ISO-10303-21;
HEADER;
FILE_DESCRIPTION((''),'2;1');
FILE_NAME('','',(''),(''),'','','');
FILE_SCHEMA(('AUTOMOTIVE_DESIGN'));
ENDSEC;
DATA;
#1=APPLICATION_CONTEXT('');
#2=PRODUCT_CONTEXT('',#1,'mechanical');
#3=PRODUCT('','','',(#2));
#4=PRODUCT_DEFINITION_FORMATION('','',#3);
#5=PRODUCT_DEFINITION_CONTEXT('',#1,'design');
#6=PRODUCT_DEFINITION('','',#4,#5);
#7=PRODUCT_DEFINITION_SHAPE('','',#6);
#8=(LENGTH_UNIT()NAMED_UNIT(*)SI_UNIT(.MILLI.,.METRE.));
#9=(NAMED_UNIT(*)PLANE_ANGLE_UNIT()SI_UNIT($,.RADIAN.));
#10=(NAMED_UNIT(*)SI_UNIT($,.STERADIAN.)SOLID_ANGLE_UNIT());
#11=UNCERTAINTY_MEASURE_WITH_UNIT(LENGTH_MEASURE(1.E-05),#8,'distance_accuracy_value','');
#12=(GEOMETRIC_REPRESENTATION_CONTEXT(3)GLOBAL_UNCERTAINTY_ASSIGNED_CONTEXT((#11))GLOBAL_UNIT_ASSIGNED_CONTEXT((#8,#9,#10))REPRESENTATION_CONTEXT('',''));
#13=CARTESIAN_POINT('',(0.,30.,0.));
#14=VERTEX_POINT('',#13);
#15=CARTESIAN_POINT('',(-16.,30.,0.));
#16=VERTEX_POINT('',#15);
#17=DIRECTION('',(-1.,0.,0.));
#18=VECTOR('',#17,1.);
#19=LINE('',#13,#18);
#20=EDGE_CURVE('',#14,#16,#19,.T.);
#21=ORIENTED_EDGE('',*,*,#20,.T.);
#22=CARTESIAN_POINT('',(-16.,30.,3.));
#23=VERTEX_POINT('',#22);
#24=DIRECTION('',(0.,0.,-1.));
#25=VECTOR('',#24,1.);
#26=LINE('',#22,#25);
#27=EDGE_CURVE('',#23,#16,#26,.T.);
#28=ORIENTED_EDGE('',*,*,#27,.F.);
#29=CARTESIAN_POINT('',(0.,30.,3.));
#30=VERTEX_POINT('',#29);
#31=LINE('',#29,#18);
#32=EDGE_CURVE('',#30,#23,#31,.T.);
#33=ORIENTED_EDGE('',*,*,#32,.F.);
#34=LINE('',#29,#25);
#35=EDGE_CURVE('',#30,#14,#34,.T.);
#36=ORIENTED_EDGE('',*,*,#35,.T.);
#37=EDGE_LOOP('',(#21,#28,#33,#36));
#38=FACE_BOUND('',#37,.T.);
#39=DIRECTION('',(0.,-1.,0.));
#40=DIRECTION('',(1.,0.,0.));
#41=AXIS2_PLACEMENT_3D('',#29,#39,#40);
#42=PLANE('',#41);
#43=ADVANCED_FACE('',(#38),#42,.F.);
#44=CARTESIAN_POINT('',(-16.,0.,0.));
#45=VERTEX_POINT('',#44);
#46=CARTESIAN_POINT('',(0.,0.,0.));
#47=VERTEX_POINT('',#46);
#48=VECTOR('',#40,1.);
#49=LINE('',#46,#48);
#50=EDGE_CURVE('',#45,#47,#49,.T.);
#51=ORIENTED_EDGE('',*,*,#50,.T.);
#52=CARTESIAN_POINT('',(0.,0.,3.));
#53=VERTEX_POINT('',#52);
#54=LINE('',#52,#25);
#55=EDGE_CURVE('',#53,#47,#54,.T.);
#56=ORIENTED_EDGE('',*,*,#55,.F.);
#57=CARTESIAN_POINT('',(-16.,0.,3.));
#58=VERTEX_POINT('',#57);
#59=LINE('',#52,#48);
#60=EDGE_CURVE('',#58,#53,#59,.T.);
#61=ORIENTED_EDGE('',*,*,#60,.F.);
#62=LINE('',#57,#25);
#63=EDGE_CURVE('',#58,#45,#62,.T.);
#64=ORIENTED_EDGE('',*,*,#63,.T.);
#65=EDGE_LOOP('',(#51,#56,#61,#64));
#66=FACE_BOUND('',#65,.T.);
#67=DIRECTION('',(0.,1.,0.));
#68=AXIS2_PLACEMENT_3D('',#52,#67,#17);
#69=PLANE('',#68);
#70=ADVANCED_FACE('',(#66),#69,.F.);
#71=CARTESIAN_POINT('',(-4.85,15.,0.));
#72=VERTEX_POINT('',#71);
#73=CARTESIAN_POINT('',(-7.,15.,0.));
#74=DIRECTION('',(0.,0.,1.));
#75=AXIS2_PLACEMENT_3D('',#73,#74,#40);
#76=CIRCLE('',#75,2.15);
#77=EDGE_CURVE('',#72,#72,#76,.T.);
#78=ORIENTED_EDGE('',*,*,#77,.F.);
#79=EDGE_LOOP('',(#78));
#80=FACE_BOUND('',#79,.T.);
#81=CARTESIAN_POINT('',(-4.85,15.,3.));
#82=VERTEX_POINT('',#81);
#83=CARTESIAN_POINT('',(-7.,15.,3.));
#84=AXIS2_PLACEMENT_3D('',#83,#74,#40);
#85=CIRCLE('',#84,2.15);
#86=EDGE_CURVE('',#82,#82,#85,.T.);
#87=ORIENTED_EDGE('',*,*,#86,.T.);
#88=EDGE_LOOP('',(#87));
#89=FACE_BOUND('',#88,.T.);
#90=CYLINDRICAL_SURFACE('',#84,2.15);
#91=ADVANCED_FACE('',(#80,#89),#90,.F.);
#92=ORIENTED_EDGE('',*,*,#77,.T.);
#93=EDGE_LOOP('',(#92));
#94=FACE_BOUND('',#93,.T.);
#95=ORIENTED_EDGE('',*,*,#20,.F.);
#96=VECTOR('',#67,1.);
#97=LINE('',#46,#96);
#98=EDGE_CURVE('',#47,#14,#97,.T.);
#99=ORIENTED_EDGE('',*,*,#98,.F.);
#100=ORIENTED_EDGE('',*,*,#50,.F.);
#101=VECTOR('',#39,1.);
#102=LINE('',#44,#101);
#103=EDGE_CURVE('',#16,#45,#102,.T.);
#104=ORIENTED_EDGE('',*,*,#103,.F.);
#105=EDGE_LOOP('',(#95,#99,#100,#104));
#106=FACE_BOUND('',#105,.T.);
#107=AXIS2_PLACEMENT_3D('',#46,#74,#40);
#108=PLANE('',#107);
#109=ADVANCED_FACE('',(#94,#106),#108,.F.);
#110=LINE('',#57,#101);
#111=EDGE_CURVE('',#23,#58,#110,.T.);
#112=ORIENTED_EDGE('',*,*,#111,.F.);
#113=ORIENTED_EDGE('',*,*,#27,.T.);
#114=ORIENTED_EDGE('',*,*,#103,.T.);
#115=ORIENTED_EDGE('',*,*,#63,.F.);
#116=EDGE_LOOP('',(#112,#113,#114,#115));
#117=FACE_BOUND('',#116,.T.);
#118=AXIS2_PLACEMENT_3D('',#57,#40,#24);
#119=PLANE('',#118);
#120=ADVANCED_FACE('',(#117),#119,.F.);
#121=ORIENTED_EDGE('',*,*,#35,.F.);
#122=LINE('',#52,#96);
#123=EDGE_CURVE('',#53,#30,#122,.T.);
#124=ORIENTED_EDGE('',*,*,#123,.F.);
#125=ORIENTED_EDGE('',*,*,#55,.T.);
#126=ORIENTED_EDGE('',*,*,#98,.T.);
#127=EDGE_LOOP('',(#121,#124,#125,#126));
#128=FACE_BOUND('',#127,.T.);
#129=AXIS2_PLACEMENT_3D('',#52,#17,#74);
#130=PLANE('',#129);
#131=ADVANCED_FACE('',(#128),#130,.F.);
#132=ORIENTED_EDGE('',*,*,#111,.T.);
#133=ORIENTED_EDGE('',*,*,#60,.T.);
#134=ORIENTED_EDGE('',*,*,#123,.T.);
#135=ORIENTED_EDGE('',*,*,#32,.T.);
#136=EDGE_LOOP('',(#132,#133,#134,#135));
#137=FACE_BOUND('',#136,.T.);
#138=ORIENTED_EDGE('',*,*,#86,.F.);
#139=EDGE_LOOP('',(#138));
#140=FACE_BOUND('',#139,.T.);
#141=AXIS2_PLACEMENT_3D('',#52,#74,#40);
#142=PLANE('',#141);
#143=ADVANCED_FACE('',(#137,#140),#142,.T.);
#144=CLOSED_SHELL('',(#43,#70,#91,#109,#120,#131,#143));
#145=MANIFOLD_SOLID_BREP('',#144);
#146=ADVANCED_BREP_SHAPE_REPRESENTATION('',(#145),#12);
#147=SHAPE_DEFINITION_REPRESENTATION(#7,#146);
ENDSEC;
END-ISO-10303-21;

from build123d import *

# Parameters (mm, degrees)
SKETCH1_W                = 16
SKETCH1_H                = 30
BOSS_EXTRUDE1_DEPTH      = 3
M4_CLEARANCE_HOLE1_D     = 4.3
M4_CLEARANCE_HOLE1_DEPTH = 100
M4_CLEARANCE_HOLE1_TIP   = 1.291850331


with BuildPart() as part:
    # Sketch1 → Boss-Extrude1 (new body)
    with BuildSketch(Plane.XY):
        with Locations((-8, 15)):
            Rectangle(SKETCH1_W, SKETCH1_H)
    extrude(amount=BOSS_EXTRUDE1_DEPTH)

    # M4 Clearance Hole1
    with Locations(Plane.XY.offset(3)):
        with Locations((-7, 15)):
            Hole(M4_CLEARANCE_HOLE1_D / 2, depth=M4_CLEARANCE_HOLE1_DEPTH)
            with Locations((0, 0, -(M4_CLEARANCE_HOLE1_DEPTH + M4_CLEARANCE_HOLE1_TIP / 2))):  # 118° drill point
                Cone(0, M4_CLEARANCE_HOLE1_D / 2, M4_CLEARANCE_HOLE1_TIP, mode=Mode.SUBTRACT)


solid = part.part
